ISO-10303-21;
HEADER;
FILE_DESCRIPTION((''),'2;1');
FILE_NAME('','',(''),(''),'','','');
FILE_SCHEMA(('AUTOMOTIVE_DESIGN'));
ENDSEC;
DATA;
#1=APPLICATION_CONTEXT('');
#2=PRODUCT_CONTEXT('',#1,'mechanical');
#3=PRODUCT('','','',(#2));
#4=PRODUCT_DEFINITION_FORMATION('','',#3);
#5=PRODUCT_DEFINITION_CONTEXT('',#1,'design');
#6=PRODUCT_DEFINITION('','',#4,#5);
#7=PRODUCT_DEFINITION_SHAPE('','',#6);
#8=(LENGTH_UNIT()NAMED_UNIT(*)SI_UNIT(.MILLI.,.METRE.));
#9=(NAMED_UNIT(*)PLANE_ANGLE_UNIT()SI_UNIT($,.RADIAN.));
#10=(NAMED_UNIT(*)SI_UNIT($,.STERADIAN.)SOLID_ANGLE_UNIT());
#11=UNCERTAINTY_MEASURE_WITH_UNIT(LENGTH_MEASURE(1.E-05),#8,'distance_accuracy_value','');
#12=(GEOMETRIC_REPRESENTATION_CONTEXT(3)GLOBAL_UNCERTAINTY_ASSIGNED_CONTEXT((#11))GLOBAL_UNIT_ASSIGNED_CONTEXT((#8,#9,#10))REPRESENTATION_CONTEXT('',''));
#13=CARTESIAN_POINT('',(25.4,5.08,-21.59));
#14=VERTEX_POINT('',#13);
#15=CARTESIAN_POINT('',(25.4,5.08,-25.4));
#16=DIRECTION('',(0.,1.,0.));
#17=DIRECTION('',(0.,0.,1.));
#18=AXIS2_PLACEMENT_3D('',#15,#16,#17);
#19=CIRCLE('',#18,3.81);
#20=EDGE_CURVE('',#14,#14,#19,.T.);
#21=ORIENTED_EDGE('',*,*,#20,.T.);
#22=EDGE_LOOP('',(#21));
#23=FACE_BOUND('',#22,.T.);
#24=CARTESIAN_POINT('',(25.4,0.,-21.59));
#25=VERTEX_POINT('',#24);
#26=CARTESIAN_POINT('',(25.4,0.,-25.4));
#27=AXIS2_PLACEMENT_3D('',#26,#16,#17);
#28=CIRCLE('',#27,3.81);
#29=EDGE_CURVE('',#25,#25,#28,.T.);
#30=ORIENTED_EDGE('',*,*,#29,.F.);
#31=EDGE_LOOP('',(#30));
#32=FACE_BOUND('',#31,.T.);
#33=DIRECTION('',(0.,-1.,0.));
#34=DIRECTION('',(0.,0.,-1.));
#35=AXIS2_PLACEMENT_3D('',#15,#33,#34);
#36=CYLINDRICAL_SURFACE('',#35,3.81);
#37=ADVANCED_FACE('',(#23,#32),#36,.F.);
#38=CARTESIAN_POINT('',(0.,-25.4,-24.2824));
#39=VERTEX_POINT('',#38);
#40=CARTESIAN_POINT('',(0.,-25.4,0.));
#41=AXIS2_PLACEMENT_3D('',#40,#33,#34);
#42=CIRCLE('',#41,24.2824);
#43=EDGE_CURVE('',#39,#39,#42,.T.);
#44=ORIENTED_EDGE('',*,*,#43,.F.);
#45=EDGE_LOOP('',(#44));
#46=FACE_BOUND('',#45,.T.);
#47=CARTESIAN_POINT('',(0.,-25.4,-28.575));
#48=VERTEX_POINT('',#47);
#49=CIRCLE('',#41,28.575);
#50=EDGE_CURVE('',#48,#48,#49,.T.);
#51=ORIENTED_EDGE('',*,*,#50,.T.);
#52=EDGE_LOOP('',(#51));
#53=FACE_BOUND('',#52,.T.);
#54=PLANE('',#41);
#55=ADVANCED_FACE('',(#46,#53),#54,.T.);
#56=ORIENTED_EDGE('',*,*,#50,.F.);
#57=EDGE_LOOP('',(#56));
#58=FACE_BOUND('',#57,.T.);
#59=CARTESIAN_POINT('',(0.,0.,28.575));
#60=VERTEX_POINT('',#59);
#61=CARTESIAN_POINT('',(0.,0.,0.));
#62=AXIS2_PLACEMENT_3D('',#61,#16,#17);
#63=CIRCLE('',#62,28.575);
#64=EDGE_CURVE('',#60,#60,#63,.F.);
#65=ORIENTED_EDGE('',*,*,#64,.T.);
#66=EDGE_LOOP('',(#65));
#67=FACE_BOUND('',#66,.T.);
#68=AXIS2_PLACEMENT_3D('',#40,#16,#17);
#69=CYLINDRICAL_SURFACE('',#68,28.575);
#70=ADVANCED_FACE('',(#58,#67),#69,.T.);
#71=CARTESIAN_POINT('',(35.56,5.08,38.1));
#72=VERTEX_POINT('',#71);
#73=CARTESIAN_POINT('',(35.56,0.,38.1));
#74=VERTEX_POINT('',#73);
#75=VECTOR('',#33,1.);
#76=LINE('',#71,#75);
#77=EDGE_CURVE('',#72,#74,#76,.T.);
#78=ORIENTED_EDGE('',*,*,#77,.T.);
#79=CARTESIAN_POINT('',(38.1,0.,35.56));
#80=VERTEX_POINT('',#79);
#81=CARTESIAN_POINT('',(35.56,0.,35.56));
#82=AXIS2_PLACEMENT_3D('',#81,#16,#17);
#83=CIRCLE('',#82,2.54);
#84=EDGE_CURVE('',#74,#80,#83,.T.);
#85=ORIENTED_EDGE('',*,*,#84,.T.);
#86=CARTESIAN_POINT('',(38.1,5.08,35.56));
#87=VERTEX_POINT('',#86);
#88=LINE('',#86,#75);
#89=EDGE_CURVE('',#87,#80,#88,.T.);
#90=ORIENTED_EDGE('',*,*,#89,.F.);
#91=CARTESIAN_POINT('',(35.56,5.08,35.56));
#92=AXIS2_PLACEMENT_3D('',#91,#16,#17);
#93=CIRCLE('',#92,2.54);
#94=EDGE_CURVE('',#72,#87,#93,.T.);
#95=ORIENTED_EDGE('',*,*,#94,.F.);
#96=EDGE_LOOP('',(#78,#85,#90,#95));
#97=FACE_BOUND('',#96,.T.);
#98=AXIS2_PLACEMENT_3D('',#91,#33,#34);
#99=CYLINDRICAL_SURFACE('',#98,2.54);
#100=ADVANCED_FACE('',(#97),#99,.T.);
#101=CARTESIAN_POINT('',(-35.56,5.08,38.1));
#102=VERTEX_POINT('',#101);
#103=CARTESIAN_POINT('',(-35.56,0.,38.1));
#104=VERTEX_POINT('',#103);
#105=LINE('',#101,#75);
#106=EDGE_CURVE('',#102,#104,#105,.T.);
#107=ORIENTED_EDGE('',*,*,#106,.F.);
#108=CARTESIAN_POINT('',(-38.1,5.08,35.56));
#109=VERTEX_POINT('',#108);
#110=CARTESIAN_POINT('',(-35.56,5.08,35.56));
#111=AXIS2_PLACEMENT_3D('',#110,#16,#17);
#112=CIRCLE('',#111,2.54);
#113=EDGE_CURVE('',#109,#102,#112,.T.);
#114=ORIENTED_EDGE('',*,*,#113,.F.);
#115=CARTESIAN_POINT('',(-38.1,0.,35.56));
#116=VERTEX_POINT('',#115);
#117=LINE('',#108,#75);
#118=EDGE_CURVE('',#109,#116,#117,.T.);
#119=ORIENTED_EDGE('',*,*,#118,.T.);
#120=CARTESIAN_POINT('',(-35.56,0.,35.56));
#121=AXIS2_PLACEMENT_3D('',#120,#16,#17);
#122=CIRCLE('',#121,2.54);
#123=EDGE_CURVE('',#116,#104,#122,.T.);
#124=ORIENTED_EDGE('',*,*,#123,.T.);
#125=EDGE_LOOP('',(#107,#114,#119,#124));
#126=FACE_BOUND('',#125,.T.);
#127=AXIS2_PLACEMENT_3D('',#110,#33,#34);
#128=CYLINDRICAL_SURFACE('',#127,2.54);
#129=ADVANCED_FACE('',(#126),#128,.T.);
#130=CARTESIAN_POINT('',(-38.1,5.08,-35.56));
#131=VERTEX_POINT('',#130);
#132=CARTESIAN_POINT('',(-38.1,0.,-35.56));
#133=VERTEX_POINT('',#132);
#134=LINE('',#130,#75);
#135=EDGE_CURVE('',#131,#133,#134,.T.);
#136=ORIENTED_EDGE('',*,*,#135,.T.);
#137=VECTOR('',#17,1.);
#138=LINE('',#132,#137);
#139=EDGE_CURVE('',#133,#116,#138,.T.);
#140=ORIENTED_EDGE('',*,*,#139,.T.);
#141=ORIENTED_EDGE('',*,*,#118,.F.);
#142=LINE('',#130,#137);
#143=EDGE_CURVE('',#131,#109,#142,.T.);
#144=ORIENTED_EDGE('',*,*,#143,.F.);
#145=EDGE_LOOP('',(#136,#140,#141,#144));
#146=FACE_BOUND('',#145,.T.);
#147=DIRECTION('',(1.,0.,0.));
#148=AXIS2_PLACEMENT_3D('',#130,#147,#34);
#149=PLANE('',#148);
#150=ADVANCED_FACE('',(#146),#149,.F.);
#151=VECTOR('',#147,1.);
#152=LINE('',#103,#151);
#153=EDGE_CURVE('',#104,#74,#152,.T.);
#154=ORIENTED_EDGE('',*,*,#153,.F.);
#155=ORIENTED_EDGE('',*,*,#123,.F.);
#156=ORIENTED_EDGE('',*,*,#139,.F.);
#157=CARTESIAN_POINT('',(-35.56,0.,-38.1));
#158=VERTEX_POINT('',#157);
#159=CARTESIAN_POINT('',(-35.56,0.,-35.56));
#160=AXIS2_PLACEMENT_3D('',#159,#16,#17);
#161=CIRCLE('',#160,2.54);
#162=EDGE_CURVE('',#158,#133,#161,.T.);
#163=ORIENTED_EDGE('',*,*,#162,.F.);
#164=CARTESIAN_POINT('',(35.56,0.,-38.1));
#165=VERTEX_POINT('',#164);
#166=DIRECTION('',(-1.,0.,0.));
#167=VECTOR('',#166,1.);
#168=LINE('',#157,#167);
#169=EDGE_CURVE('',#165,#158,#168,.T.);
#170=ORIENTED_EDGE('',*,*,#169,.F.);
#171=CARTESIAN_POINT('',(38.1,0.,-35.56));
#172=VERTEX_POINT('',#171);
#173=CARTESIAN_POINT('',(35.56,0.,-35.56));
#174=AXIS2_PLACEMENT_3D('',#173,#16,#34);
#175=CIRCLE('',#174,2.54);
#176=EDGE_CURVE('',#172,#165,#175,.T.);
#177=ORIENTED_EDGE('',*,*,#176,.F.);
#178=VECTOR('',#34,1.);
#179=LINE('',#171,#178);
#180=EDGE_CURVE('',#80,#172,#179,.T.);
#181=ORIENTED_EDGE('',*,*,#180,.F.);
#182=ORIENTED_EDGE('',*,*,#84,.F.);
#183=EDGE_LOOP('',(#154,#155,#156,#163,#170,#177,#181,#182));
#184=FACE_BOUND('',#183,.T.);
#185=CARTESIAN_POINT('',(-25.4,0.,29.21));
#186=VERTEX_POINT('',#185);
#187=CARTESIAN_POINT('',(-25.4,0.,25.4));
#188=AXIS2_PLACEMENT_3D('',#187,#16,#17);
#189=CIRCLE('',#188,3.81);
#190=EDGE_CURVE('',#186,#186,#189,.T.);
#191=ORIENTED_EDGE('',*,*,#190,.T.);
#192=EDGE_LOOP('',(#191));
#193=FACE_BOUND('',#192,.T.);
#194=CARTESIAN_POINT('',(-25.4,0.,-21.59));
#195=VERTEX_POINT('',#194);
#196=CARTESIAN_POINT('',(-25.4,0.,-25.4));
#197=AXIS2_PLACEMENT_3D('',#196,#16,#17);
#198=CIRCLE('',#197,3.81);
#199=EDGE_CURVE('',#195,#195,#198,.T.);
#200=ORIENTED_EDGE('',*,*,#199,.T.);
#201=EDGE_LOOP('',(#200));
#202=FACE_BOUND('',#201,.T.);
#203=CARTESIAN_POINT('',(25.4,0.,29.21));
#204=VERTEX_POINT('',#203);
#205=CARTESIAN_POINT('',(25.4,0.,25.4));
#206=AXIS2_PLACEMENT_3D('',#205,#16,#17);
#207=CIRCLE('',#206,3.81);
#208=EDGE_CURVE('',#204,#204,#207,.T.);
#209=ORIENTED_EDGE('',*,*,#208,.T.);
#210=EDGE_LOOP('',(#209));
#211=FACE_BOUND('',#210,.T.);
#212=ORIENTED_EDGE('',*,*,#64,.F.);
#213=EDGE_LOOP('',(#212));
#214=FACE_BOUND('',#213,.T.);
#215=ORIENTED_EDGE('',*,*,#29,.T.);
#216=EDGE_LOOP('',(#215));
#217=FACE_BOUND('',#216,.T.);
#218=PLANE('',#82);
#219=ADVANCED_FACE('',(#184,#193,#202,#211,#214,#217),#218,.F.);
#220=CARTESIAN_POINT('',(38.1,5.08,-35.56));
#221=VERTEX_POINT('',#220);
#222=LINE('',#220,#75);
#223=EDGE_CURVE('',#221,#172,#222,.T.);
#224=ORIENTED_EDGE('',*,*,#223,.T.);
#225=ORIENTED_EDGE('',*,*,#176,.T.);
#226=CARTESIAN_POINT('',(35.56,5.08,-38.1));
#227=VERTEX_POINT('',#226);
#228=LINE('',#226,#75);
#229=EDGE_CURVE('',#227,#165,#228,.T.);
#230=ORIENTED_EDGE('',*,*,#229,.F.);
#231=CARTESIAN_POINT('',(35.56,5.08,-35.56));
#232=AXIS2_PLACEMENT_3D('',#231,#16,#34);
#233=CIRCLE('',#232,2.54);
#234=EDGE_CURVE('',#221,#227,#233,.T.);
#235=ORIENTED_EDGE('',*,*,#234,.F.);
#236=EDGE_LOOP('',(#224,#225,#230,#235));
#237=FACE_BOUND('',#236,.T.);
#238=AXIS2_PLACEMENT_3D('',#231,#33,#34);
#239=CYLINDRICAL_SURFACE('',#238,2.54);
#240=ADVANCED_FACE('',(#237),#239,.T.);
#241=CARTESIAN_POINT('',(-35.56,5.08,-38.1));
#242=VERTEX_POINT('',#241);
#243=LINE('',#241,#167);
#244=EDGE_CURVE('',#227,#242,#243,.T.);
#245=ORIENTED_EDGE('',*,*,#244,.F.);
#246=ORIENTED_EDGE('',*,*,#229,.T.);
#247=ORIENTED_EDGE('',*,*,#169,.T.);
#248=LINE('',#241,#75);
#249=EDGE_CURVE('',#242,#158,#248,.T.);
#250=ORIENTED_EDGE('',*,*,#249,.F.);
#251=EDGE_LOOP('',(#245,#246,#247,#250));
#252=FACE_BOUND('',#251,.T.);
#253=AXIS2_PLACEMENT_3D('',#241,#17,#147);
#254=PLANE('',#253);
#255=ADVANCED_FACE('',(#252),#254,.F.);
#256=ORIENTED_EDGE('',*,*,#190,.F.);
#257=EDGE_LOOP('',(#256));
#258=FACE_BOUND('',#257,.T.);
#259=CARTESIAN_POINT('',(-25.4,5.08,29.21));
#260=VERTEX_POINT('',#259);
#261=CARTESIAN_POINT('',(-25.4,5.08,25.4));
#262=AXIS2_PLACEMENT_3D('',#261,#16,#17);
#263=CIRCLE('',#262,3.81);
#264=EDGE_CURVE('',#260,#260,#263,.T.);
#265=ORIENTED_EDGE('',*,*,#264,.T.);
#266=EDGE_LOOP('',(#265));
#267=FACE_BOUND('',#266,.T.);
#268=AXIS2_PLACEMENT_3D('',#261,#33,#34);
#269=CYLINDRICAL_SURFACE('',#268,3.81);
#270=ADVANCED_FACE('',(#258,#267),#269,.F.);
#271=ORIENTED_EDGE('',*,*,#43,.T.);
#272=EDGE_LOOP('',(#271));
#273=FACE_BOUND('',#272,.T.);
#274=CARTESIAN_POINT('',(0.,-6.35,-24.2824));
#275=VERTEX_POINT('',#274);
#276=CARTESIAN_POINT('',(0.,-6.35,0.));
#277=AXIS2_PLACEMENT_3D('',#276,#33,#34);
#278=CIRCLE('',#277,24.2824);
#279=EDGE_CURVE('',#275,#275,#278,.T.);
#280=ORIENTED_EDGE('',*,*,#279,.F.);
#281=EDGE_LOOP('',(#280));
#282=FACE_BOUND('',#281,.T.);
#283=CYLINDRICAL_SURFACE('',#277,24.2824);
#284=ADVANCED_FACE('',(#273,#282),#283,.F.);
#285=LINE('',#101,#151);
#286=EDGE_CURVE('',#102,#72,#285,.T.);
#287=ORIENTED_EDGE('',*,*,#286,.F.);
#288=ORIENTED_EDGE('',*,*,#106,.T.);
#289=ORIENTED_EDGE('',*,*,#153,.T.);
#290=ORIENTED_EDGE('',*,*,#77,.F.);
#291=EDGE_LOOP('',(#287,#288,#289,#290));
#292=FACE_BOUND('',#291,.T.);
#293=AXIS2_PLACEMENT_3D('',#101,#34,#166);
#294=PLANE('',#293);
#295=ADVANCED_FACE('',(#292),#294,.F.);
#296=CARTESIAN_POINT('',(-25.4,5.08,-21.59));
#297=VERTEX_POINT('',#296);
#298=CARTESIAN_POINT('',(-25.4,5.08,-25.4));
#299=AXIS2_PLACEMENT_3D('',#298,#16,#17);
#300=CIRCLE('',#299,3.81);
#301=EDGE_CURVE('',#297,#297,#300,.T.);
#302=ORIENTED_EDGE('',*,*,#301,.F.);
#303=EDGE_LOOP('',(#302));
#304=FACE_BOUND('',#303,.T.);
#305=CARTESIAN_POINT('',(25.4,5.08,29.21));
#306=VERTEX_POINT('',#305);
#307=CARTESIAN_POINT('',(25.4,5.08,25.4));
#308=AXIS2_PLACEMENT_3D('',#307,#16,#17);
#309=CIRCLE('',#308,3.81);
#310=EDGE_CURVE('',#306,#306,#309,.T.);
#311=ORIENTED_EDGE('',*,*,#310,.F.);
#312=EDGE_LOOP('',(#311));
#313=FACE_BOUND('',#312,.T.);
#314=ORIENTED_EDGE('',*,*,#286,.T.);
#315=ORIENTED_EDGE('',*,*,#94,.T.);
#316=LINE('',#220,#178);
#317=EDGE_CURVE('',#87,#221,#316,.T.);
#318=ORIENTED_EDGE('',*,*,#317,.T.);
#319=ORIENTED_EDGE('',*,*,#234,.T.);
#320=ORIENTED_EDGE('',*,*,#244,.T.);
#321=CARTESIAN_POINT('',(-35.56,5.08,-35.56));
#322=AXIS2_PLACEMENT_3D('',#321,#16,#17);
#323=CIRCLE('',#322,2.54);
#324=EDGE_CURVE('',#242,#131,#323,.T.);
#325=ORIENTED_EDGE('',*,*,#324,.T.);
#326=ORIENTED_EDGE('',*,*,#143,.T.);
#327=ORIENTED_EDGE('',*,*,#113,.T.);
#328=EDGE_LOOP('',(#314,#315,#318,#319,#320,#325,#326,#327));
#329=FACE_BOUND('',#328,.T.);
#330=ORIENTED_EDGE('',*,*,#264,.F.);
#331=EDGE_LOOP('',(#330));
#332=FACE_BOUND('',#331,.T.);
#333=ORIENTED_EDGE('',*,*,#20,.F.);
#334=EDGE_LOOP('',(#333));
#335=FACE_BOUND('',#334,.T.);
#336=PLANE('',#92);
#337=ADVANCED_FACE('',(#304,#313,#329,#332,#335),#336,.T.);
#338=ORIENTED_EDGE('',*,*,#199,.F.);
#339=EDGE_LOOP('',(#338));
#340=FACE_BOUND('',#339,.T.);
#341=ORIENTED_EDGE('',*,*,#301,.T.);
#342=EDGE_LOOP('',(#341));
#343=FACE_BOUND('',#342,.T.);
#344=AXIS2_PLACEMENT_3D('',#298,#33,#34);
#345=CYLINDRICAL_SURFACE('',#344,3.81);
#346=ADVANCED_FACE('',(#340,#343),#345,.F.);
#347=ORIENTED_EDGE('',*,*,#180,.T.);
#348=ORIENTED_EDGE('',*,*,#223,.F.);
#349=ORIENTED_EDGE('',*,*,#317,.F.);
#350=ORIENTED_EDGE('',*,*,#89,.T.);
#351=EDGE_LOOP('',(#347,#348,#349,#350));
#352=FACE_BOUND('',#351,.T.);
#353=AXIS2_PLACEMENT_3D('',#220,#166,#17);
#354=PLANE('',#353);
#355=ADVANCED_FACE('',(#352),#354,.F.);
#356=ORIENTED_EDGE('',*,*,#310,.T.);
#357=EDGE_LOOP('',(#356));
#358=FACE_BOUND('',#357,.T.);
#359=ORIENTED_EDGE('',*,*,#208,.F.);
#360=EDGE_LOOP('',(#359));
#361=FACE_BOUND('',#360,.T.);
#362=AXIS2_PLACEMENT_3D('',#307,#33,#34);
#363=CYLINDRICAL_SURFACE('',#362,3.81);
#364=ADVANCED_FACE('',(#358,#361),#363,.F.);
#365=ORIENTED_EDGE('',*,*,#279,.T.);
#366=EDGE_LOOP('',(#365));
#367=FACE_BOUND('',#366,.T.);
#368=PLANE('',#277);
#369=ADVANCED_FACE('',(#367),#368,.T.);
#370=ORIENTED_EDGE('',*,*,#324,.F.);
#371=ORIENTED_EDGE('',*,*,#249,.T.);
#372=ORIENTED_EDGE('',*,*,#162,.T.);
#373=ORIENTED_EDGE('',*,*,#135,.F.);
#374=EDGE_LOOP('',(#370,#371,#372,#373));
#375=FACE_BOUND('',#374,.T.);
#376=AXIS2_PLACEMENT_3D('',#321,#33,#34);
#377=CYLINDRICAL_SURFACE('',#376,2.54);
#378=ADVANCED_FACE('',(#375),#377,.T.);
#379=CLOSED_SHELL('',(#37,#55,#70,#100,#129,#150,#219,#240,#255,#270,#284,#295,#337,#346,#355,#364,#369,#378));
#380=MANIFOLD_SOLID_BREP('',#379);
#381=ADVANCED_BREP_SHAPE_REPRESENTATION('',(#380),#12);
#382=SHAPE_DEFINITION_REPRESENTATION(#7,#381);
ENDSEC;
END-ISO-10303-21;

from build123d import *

# Parameters (mm, degrees)
SKETCH2_R           = 3.81
BOSS_EXTRUDE1_DEPTH = 5.08
SKETCH3_R           = 28.575
BOSS_EXTRUDE2_DEPTH = 25.4
SKETCH4_R           = 24.2824
CUT_EXTRUDE1_DEPTH  = 19.05


with BuildPart() as part:
    # Sketch2 → Boss-Extrude1 (new body)
    with BuildSketch(Plane(origin=(0, 0, 0), x_dir=(1, 0, 0), z_dir=(0, 1, 0))):
        with BuildLine():
            Line((-35.56, 38.1), (35.56, 38.1))
            ThreePointArc((35.56, 38.1), (37.356051224, 37.356051224), (38.1, 35.56))
            Line((38.1, 35.56), (38.1, -35.56))
            ThreePointArc((38.1, -35.56), (37.356051224, -37.356051224), (35.56, -38.1))
            Line((35.56, -38.1), (-35.56, -38.1))
            ThreePointArc((-35.56, -38.1), (-37.356051224, -37.356051224), (-38.1, -35.56))
            Line((-38.1, -35.56), (-38.1, 35.56))
            ThreePointArc((-38.1, 35.56), (-37.356051224, 37.356051224), (-35.56, 38.1))
        make_face()
        with Locations((-25.4, 25.4)):
            Circle(SKETCH2_R, mode=Mode.SUBTRACT)
        with Locations((25.4, 25.4)):
            Circle(SKETCH2_R, mode=Mode.SUBTRACT)
        with Locations((25.4, -25.4)):
            Circle(SKETCH2_R, mode=Mode.SUBTRACT)
        with Locations((-25.4, -25.4)):
            Circle(SKETCH2_R, mode=Mode.SUBTRACT)
    extrude(amount=BOSS_EXTRUDE1_DEPTH)

    # Sketch3 → Boss-Extrude2 (add)
    with BuildSketch(Plane.XZ):
        Circle(SKETCH3_R)
    extrude(amount=BOSS_EXTRUDE2_DEPTH)

    # Sketch4 → Cut-Extrude1 (cut)
    with BuildSketch(Plane.XZ.offset(25.4)):
        Circle(SKETCH4_R)
    extrude(amount=-CUT_EXTRUDE1_DEPTH, mode=Mode.SUBTRACT)


solid = part.part
